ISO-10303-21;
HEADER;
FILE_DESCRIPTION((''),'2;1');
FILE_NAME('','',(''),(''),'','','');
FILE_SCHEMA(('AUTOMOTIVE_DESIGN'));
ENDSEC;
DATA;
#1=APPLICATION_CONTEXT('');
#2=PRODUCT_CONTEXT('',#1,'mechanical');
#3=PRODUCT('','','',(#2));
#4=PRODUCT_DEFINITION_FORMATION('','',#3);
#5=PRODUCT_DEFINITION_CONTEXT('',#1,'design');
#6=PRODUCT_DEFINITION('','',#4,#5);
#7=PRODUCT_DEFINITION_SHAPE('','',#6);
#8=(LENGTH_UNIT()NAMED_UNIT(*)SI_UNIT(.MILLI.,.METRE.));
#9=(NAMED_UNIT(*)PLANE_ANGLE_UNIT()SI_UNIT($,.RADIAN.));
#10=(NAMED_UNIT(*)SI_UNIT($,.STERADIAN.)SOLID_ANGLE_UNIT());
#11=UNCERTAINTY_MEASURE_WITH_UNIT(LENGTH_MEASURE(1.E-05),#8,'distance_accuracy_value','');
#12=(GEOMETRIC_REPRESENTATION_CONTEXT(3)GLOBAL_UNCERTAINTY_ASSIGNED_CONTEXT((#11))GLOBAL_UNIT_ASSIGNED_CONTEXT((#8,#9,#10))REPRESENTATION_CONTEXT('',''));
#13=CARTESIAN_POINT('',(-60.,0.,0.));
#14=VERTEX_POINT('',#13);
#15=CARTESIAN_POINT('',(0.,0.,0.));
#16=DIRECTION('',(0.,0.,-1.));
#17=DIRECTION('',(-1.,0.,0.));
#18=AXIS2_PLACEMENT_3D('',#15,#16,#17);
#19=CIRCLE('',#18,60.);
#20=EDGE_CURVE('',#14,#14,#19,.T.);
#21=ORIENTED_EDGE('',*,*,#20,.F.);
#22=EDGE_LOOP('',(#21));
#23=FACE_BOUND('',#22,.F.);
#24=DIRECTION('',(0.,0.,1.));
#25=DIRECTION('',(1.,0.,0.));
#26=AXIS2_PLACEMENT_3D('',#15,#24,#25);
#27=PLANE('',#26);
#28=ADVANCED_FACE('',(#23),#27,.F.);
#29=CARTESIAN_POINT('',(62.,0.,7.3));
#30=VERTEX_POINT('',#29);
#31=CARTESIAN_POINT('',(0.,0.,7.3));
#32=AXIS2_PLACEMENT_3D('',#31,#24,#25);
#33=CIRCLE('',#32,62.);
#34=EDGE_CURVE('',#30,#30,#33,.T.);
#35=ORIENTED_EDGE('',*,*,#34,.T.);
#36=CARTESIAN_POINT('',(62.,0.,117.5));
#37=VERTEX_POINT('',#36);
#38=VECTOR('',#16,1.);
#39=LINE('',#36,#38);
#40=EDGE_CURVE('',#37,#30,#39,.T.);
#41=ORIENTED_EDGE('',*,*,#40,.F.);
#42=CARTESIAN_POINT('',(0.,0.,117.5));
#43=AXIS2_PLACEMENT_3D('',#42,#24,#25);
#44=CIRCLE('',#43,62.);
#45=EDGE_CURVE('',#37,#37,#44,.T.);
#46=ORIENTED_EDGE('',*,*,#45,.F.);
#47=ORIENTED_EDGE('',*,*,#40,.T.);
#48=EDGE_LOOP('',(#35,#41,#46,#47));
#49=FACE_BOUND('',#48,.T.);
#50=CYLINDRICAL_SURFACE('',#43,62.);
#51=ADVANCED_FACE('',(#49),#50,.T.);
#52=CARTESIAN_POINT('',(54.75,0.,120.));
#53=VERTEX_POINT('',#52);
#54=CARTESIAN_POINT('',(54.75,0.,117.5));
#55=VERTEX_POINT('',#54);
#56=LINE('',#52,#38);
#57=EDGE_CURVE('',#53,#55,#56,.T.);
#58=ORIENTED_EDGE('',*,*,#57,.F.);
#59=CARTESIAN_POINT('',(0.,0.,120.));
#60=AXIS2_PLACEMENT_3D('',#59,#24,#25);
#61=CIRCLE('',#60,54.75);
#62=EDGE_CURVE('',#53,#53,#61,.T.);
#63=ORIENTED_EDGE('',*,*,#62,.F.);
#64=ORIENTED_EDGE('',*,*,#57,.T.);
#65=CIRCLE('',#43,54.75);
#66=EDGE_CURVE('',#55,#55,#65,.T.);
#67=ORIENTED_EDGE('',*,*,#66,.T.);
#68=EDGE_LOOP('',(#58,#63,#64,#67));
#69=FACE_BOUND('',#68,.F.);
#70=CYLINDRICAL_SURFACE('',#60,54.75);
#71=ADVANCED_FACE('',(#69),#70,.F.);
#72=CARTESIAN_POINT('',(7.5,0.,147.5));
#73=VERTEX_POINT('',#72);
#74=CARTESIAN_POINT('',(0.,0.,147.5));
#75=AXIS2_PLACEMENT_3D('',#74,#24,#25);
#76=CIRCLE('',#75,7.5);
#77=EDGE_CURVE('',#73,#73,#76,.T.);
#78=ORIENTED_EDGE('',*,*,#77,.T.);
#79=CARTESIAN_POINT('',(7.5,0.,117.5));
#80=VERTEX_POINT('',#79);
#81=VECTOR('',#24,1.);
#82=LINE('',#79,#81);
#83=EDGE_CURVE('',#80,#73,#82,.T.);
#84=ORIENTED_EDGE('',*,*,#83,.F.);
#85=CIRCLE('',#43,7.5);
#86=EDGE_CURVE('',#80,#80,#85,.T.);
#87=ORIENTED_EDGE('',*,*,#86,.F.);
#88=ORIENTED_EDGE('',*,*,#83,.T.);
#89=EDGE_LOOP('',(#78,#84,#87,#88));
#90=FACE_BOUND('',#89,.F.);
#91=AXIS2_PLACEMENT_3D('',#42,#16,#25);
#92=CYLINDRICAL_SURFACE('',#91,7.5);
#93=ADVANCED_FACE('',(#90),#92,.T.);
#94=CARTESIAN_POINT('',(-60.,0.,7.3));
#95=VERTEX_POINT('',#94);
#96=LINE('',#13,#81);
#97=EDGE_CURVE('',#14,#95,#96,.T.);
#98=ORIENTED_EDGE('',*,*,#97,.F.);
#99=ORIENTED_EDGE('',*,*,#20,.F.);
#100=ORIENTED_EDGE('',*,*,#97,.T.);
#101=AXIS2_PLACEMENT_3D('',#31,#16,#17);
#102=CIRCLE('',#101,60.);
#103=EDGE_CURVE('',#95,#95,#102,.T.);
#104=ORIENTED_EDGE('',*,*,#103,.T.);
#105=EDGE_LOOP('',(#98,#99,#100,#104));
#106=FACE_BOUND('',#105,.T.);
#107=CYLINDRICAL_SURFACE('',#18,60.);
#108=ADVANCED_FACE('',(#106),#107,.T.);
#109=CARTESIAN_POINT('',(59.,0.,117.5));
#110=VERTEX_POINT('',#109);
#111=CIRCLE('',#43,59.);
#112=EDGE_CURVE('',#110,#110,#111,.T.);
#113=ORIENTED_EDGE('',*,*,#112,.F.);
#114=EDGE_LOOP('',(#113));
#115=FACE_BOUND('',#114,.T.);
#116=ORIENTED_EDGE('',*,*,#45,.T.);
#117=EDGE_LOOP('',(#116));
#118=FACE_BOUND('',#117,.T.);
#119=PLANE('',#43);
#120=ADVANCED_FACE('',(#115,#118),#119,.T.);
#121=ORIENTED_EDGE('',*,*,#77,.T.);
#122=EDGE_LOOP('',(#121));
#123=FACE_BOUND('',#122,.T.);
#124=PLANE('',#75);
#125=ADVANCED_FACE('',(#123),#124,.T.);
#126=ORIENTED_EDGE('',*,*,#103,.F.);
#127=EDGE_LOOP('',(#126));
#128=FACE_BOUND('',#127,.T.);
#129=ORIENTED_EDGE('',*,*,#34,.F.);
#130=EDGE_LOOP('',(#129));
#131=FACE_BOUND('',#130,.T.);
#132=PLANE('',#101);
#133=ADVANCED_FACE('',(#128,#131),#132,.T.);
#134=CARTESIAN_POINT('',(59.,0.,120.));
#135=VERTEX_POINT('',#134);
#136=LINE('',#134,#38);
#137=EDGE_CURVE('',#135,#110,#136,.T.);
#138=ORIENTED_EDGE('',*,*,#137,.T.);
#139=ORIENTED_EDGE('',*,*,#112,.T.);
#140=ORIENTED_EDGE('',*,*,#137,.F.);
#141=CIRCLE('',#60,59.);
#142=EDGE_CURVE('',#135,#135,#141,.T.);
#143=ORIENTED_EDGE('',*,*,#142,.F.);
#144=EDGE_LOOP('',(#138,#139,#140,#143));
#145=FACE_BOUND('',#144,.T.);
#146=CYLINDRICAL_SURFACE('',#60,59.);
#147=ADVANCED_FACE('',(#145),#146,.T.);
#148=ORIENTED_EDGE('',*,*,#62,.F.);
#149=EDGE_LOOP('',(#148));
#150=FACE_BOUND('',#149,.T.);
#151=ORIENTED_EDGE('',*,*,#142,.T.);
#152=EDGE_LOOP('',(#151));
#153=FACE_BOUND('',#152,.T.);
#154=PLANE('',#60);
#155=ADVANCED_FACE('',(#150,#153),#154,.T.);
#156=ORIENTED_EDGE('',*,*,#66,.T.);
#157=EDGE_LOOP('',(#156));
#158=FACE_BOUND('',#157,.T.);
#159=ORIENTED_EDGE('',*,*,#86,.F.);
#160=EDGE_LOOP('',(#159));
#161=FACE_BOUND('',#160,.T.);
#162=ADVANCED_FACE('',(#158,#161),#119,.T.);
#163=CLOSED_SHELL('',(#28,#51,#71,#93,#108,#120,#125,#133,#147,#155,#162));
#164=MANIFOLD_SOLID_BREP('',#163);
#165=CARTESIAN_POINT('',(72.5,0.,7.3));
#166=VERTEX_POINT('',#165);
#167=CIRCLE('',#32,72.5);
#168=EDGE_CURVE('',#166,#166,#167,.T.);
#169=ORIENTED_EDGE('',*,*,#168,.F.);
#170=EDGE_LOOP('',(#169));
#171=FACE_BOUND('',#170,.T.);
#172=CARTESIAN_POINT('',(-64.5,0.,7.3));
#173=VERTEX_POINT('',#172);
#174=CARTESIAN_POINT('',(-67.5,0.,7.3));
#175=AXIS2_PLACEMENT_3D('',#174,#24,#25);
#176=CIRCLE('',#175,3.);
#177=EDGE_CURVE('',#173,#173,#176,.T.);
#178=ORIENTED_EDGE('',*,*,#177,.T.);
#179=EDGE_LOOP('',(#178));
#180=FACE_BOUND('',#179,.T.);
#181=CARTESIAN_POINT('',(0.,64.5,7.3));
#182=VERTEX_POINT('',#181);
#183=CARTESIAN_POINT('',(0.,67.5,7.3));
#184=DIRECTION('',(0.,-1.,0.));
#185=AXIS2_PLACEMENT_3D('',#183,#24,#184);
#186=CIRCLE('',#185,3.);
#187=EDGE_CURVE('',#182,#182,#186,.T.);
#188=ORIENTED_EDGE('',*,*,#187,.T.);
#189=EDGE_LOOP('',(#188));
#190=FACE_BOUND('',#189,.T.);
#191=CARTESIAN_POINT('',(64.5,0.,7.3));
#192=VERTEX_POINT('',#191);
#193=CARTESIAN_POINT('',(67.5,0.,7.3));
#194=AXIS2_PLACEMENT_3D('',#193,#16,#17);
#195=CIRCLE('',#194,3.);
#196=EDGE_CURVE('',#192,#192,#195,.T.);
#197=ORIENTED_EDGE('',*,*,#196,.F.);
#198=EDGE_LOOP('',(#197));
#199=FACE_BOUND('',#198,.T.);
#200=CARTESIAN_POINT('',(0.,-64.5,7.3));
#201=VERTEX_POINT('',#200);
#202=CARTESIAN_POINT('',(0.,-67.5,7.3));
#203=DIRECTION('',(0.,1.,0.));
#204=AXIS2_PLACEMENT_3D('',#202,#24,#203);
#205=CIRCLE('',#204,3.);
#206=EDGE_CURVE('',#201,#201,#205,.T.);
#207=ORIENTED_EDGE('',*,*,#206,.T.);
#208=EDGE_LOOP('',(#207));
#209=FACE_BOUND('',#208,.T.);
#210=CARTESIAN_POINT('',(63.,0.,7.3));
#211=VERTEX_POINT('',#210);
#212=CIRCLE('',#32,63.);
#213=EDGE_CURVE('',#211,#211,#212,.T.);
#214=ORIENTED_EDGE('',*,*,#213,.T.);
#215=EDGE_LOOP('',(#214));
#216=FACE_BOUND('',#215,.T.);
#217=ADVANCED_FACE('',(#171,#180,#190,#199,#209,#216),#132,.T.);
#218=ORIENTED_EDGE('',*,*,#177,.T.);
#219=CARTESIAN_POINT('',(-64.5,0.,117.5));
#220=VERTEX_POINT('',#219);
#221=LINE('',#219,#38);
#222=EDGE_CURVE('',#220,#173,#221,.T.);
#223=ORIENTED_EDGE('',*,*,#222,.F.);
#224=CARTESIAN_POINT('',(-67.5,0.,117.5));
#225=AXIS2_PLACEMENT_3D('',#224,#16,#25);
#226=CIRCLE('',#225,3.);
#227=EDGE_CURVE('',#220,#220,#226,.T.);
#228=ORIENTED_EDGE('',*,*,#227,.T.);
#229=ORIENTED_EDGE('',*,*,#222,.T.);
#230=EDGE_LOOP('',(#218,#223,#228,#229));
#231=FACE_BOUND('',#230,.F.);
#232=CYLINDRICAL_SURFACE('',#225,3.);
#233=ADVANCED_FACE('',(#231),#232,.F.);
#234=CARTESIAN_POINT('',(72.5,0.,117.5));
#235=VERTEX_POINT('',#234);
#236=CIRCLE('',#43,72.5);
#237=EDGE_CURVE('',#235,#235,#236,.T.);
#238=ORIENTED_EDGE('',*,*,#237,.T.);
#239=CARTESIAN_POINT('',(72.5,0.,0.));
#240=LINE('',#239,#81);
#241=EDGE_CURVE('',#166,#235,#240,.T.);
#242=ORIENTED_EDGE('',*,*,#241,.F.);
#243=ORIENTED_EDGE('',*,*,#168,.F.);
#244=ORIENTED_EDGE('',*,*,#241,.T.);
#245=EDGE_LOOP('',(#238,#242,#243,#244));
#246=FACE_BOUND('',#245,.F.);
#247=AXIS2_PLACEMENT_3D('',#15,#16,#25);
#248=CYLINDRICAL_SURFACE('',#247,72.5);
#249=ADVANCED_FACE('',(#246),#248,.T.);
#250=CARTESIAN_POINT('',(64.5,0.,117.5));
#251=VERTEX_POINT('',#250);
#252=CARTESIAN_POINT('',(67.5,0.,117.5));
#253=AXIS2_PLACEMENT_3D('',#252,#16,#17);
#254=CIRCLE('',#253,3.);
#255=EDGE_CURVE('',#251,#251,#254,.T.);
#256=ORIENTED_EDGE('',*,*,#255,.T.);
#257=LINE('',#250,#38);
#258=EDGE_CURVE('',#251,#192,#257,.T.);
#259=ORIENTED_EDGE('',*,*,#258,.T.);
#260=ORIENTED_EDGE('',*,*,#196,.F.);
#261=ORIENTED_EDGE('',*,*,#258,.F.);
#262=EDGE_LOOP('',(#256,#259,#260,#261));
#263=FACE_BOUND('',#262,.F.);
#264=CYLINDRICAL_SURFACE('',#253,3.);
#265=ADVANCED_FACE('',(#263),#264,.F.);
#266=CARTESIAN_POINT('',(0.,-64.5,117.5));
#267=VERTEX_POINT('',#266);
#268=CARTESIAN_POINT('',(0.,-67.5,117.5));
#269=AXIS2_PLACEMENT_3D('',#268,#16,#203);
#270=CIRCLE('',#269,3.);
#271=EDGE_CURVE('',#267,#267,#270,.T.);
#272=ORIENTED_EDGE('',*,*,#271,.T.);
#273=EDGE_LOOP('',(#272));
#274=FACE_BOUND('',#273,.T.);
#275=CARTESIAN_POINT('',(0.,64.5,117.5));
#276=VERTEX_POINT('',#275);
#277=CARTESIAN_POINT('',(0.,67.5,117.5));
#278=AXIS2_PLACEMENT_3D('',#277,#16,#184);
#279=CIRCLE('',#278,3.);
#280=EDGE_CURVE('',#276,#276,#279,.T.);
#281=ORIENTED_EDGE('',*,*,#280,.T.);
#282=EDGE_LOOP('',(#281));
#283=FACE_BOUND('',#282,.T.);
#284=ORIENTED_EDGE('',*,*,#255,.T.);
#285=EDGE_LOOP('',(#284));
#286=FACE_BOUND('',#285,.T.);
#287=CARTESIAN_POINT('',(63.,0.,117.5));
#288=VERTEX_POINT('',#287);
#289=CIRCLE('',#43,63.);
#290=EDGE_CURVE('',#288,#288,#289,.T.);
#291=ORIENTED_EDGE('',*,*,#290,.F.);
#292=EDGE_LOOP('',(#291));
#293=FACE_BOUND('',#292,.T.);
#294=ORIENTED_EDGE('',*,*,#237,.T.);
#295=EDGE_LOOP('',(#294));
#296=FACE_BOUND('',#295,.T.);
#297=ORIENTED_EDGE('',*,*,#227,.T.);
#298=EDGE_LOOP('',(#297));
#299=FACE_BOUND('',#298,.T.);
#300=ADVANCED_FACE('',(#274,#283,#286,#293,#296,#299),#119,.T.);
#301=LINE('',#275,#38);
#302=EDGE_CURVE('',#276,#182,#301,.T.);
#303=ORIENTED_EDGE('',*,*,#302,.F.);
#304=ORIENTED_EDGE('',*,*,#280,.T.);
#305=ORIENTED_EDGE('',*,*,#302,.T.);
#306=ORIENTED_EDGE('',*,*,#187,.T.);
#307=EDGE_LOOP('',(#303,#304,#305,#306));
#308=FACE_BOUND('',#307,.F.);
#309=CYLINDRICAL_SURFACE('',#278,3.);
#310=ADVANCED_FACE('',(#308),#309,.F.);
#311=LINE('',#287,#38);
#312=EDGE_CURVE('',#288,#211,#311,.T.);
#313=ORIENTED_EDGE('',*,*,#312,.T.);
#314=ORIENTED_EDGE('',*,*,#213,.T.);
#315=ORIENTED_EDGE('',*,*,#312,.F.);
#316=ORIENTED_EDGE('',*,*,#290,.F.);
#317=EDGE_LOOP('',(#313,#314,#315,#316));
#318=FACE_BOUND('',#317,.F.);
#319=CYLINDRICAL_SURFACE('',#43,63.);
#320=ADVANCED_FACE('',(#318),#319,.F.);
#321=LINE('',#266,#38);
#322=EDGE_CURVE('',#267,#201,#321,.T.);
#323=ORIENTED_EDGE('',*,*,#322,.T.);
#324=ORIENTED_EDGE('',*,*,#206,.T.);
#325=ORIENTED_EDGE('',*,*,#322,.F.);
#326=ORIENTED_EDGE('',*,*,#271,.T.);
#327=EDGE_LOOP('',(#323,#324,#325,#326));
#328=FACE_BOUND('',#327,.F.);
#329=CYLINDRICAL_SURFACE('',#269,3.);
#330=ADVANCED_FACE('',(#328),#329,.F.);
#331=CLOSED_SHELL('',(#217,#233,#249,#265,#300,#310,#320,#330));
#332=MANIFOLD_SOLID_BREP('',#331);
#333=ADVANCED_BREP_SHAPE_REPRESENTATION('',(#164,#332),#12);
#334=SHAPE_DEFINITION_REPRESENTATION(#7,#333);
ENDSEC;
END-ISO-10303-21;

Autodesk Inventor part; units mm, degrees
ref_plane "YZ Plane" through (0, 0, 0) normal (1, 0, 0) x (0, 1, 0)
ref_plane "XZ Plane" through (0, 0, 0) normal (0, 1, 0) x (-1, 0, 0)
ref_plane "XY Plane" through (0, 0, 0) normal (0, 0, 1) x (1, 0, 0)
sketch "Sketch1" plane through (0, 0, 0) normal (0, 0, 1) x (1, 0, 0)
  circle A0 centre (0, 0) radius 72.5
  dimension "d0" = 145
extrude "Extrusion1" add sketch "Sketch1" along normal blind 120
sketch "Sketch2" plane through (0, 0, 120) normal (0, 0, 1) x (1, 0, 0)
  circle A0 centre (0, 0) radius 59
  circle A1 centre (0, 0) radius 54.75
  circle A2 centre (0, 0) radius 72.5 projected
  dimension "d3" = 118
  dimension "d4" = 109.5
extrude "Extrusion2" cut sketch "Sketch2" against normal blind 2.5
sketch "Sketch3" plane through (0, 0, 117.5) normal (0, 0, 1) x (1, 0, 0)
  circle A0 centre (0, 0) radius 7.5
  dimension "d7" = 15
extrude "Extrusion3" add sketch "Sketch3" along normal blind 30
sketch "Sketch4" plane through (0, 0, 117.5) normal (0, 0, 1) x (1, 0, 0)
  point P0 (0, 0)
  point P1 (0, 67.5)
  dimension "d10" = 67.5
hole "Hole1" at (0, 67.5, 117.5) direction (0, 0, -1) diameter 6 end through all
pattern_circular "Circular Pattern1" count 4 over 360 about axis through (0, 0, 117.5) along (0, 0, 1) of "Hole1"
sketch "Sketch5" plane through (0, 0, 117.5) normal (0, 0, 1) x (1, 0, 0)
  circle A0 centre (0, 0) radius 62
  circle A1 centre (0, 0) radius 63
  dimension "d21" = 124
  dimension "d22" = 1
extrude "Extrusion4" cut sketch "Sketch5" against normal through all
sketch "Sketch6" plane through (0, 0, 0) normal (0, 0, -1) x (-1, 0, 0)
  circle A0 centre (0, 0) radius 72.5 projected
  circle A1 centre (0, 67.5) radius 3 projected
  circle A2 centre (67.5, 0) radius 3 projected
  circle A3 centre (0, -67.5) radius 3 projected
  circle A4 centre (-67.5, 0) radius 3 projected
  circle A5 centre (0, 0) radius 63 projected
  circle A6 centre (0, 0) radius 7.5 projected
  circle A7 centre (0, 0) radius 60
  dimension "d27" = 120
extrude "Extrusion5" cut sketch "Sketch6" against normal blind 7.3 contours A0 | A5
properties part number "Denzel4500Motor"
